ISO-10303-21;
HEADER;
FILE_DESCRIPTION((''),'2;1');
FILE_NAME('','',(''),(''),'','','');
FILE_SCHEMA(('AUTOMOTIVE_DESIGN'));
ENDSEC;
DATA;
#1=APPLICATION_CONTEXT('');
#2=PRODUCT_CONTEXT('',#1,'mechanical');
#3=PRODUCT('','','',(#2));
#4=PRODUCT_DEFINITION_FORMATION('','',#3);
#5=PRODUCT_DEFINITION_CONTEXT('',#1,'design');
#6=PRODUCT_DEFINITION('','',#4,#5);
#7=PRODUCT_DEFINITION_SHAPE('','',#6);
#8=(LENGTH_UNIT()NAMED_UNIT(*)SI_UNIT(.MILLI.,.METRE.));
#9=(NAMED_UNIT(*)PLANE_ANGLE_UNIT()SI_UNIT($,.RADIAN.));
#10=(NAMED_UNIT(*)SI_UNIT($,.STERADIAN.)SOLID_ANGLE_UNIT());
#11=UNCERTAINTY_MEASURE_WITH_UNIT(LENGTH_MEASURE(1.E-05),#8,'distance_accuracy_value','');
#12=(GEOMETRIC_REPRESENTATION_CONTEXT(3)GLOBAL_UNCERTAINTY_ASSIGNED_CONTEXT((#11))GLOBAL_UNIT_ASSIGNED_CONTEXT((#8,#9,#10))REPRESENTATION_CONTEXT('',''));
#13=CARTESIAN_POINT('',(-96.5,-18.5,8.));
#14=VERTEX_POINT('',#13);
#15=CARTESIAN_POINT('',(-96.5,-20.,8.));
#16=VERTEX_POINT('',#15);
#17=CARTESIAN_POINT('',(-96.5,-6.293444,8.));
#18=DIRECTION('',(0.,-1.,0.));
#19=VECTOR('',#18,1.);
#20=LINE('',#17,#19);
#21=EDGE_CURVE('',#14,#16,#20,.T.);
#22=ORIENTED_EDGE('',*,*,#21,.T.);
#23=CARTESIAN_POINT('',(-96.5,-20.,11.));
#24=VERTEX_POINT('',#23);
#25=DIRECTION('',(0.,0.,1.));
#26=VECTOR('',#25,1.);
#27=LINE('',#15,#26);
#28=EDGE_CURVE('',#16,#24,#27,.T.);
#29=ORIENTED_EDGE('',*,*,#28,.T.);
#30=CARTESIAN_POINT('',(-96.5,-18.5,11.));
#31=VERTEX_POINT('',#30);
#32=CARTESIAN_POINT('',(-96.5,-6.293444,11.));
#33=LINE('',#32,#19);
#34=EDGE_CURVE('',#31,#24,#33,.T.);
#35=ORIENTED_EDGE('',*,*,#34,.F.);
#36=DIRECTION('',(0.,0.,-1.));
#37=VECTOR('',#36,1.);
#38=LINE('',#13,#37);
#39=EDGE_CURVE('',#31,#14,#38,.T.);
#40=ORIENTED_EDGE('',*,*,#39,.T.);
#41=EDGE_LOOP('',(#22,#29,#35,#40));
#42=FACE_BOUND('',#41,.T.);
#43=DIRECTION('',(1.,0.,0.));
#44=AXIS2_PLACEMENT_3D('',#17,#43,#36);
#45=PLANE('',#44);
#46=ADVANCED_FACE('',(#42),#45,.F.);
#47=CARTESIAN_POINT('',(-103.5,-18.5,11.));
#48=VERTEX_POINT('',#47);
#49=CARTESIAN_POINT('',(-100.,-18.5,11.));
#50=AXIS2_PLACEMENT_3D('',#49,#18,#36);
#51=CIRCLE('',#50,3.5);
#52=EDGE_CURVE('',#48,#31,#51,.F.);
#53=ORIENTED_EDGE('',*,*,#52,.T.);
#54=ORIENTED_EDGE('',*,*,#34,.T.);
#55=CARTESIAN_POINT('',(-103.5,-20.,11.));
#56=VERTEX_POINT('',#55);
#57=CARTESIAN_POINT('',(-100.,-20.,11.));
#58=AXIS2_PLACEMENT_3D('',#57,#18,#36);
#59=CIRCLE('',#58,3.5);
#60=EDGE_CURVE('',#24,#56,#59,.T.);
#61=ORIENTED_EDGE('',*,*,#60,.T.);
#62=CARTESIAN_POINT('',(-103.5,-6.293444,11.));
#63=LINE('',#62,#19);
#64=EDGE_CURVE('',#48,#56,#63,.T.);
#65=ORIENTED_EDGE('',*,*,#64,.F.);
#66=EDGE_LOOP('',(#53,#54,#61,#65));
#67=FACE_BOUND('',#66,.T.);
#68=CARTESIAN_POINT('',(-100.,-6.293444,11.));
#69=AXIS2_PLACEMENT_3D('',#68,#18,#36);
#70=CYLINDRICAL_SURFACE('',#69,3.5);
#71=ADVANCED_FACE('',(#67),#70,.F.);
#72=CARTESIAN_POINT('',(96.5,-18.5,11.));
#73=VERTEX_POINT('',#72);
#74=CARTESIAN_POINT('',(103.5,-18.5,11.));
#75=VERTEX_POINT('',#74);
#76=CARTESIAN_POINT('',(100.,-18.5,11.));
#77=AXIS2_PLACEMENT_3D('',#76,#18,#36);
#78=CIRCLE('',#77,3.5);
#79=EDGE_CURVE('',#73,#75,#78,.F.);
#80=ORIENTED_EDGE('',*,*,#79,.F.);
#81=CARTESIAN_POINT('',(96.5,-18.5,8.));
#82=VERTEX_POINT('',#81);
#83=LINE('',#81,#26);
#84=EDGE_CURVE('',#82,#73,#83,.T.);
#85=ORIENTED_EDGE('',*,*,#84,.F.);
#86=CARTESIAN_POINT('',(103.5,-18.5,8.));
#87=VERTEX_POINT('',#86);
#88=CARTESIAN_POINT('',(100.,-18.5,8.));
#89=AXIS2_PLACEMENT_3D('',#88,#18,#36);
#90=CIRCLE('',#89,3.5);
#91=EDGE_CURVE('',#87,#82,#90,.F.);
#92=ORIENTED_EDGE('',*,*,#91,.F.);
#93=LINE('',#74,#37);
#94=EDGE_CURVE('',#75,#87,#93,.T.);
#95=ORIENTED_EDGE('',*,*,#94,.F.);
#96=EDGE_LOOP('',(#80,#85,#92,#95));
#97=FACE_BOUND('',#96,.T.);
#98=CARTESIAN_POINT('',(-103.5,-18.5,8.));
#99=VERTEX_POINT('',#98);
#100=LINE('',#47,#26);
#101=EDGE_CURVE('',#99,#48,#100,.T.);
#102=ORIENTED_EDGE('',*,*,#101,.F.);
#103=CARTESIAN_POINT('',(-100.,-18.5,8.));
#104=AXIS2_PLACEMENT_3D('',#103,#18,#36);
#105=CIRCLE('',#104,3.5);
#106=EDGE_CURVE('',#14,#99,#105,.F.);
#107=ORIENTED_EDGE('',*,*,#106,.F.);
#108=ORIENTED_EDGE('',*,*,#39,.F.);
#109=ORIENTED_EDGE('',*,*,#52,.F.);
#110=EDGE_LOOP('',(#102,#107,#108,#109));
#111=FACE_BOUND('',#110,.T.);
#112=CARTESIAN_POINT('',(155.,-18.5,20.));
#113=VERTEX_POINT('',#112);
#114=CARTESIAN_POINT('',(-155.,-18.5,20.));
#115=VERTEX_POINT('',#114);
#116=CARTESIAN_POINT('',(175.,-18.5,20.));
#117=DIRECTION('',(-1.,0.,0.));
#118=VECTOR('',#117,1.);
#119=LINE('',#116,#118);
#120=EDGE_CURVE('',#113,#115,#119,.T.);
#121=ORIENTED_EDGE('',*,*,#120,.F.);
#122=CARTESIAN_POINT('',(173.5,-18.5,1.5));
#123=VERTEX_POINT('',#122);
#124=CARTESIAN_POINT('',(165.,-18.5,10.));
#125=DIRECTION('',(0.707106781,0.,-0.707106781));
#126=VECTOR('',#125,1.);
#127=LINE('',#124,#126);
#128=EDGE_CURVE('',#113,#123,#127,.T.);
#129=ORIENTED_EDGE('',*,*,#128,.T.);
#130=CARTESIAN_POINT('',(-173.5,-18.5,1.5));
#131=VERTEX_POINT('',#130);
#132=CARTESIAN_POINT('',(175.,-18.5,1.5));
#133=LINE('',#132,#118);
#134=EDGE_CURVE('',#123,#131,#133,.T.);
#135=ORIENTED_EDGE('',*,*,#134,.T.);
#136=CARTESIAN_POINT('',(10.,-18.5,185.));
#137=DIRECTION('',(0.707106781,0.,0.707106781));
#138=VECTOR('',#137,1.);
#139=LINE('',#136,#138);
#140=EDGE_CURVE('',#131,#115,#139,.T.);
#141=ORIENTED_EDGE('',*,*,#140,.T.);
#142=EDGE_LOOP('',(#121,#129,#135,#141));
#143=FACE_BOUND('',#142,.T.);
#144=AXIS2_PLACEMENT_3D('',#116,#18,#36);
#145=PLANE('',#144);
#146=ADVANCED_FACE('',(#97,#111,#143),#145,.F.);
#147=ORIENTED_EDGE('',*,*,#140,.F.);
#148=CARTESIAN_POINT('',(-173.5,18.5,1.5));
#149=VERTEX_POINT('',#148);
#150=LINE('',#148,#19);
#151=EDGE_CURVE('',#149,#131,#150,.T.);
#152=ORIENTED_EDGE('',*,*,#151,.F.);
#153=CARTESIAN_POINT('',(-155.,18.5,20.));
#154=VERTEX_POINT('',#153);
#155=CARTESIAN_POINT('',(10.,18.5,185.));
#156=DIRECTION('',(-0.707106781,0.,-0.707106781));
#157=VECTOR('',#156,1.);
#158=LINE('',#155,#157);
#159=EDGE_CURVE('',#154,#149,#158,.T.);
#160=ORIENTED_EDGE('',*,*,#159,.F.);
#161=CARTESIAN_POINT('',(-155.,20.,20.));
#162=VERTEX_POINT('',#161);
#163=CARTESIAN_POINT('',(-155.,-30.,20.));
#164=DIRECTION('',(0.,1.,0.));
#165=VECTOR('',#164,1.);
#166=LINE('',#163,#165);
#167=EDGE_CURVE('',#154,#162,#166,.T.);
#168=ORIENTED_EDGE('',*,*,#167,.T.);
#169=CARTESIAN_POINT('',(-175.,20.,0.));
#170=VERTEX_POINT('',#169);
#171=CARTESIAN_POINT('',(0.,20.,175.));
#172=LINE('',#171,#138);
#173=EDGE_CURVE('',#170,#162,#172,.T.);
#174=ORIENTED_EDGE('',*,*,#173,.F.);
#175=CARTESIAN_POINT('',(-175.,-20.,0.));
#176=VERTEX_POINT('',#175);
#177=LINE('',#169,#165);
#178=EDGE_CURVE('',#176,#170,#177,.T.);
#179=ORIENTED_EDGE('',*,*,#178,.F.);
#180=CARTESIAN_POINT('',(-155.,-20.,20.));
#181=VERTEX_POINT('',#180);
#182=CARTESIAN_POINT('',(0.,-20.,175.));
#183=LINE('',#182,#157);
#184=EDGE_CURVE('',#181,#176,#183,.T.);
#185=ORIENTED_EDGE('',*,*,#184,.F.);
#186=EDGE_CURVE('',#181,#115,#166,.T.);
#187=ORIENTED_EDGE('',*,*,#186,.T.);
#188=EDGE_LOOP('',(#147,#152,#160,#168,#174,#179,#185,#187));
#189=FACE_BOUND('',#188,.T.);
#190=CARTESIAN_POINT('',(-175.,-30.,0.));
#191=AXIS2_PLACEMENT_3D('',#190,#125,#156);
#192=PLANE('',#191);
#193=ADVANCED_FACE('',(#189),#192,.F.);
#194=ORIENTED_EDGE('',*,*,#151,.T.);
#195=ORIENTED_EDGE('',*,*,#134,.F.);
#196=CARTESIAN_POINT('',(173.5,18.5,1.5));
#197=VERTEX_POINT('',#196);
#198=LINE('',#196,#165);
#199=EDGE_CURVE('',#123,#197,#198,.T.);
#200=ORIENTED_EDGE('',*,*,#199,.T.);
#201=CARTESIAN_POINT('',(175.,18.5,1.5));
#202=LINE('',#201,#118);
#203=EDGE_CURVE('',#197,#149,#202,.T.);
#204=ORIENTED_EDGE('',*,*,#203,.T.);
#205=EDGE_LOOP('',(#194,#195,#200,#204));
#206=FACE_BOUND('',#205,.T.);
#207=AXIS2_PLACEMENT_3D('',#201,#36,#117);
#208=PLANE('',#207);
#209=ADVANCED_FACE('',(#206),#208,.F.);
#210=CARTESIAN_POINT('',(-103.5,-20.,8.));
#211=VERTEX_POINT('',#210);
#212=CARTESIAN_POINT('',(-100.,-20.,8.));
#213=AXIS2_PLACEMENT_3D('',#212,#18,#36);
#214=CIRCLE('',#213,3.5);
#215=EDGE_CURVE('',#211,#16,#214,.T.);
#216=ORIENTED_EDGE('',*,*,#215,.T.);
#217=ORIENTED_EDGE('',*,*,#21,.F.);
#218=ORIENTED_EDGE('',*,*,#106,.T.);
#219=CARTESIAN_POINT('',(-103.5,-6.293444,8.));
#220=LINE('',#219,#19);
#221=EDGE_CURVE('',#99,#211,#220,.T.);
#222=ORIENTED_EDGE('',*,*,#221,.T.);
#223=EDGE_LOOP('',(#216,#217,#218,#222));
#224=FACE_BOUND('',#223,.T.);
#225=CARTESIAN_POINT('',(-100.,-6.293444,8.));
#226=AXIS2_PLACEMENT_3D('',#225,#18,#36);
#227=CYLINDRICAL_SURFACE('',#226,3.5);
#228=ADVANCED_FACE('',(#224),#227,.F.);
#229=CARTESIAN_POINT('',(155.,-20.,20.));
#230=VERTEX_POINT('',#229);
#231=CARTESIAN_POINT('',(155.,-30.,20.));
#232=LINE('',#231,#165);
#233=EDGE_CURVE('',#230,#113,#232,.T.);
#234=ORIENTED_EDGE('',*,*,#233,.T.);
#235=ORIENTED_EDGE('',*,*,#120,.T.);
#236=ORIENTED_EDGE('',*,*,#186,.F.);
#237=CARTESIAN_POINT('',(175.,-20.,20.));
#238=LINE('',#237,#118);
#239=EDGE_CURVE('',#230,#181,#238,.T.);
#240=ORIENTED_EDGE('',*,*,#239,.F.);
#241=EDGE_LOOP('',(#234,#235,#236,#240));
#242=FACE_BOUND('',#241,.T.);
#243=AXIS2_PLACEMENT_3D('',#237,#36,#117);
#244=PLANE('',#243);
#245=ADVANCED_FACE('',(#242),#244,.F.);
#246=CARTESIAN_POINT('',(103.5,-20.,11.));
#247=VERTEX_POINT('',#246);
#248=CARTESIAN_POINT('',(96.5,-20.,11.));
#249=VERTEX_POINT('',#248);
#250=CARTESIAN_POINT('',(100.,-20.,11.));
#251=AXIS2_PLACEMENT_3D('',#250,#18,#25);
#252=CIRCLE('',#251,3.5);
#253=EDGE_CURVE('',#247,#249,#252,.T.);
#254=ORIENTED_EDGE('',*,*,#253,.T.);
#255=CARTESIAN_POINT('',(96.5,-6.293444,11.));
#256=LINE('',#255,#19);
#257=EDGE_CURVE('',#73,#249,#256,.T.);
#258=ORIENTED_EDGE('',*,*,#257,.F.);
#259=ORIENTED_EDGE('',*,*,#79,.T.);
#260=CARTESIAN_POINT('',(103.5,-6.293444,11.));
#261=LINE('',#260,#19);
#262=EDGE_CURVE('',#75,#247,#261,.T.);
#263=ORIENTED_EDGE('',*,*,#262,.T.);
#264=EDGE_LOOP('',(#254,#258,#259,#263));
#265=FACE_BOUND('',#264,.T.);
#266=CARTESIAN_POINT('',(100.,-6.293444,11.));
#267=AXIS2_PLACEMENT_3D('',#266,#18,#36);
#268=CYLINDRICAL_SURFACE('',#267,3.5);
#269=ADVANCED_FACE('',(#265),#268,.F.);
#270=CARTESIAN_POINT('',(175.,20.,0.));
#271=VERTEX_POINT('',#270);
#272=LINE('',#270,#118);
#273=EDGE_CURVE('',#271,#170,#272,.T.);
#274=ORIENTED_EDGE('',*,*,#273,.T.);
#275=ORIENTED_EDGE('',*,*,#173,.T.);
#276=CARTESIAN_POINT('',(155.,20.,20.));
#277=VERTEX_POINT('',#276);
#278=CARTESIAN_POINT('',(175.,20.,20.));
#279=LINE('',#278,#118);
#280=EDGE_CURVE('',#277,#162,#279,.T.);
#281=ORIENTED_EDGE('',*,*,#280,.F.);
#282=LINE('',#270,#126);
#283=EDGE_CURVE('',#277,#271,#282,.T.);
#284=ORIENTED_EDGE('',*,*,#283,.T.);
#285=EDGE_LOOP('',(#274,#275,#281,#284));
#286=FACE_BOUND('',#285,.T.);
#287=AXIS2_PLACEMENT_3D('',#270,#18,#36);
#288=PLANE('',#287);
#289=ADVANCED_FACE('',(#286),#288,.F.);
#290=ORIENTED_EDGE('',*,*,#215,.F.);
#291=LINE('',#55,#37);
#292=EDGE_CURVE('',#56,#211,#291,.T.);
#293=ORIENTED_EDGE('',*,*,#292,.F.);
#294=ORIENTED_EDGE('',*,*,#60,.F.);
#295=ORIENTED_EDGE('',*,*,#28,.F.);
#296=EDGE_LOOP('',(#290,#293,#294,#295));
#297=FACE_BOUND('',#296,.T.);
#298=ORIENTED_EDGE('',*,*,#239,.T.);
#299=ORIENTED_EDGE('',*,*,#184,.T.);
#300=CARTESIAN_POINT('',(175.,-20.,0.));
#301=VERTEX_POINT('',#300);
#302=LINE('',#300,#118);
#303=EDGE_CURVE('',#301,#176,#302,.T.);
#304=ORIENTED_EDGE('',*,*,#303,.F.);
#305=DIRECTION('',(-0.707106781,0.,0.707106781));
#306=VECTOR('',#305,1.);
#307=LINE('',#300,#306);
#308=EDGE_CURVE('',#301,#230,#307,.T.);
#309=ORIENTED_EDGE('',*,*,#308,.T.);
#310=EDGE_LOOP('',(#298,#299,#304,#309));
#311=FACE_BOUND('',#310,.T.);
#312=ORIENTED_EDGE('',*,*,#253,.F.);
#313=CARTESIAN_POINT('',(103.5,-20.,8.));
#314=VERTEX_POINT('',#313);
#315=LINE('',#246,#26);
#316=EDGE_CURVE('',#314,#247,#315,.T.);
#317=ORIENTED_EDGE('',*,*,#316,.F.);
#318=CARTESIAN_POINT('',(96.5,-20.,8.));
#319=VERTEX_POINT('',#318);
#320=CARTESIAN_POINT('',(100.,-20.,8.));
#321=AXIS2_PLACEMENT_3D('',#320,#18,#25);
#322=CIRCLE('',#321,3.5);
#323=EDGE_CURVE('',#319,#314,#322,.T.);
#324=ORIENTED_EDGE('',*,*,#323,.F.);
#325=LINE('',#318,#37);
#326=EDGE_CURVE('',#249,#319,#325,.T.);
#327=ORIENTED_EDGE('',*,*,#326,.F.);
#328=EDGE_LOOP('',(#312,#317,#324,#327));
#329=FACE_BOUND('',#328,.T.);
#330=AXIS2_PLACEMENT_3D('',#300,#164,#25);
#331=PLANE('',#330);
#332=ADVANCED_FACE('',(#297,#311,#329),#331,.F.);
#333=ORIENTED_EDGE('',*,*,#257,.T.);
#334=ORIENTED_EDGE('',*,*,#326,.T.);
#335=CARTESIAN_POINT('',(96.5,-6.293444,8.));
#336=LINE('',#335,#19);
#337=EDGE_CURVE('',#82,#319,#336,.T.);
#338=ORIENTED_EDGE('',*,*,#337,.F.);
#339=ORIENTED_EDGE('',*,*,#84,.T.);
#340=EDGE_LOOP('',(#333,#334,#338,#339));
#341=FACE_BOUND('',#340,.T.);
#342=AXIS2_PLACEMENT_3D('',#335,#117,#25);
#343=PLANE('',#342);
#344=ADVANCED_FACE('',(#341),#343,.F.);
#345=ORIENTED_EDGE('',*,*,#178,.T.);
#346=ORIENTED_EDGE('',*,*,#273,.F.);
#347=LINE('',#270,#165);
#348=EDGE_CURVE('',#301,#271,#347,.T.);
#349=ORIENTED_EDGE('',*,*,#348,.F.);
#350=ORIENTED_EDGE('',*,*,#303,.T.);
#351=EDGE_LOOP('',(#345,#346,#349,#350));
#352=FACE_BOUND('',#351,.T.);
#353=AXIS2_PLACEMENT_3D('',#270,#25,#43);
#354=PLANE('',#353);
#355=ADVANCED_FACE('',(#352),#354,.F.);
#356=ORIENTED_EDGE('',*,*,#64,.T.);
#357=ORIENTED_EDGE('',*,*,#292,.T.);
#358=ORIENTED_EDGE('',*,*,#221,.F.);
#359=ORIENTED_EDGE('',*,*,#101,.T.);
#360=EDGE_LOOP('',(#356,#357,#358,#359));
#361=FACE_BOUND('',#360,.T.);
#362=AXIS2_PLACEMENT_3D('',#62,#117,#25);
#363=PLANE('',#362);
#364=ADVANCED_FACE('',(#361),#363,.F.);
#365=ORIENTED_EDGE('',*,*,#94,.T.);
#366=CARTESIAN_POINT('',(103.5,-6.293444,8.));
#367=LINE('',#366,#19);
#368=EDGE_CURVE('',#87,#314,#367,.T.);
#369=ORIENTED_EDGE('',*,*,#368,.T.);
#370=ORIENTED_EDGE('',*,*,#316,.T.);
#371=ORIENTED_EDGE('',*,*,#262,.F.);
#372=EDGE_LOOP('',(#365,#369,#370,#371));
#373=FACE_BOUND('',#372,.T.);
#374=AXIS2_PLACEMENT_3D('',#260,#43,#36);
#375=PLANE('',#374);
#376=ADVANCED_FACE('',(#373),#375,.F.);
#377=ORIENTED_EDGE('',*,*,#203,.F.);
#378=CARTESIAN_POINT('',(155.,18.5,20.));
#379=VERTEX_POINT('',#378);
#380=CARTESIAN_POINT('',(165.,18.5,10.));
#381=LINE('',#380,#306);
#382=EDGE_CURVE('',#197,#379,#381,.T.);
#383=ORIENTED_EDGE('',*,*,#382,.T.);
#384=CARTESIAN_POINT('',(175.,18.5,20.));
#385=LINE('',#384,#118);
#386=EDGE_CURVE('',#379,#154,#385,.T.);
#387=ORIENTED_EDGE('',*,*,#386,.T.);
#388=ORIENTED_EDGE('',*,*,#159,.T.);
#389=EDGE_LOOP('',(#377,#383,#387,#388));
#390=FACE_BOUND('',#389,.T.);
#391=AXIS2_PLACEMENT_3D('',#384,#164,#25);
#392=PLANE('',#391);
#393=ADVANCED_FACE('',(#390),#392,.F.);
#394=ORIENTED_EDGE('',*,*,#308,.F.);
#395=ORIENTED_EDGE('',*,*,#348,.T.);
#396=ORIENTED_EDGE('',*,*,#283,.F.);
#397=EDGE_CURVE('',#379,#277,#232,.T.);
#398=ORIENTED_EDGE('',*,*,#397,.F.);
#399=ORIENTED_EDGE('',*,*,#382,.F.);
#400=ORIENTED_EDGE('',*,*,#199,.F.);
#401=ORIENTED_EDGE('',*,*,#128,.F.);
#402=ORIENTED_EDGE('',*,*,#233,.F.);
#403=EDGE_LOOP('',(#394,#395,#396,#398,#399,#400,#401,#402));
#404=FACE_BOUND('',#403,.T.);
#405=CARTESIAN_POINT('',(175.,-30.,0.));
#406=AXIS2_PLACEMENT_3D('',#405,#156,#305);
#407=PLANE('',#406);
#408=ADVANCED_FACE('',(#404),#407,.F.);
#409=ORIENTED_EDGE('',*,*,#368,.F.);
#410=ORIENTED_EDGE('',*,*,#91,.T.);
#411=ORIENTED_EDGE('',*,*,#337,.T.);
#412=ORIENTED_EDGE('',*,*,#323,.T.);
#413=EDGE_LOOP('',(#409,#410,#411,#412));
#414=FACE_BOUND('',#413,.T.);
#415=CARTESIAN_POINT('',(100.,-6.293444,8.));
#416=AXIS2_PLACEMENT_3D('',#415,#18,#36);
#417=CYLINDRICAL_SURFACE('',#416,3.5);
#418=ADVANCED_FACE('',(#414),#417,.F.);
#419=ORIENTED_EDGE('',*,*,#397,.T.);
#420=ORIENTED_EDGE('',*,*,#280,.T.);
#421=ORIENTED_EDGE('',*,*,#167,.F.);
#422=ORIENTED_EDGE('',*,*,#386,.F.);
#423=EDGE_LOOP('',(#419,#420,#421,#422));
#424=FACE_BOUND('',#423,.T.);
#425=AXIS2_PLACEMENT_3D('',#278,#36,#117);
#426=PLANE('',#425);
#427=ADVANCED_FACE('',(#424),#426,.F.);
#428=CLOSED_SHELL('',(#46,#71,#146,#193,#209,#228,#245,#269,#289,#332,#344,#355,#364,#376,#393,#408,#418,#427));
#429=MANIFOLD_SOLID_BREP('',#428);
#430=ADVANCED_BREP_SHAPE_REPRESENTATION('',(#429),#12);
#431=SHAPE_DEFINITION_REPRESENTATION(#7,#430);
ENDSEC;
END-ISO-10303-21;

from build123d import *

# Parameters (mm, degrees)
RESSALTO_EXTRUS_O1_DEPTH = 175
CORTE_EXTRUS_O1_DEPTH    = 50
CORTE_EXTRUS_O2_DEPTH    = 1.5


with BuildPart() as part:
    # Esboço1 → Ressalto-extrusão1 (new, symmetric)
    with BuildSketch(Plane(origin=(0, 0, 0), x_dir=(0, 0, -1), z_dir=(1, 0, 0))):
        Polygon((0, 20), (0, -20), (-20, -20), (-20, -18.5), (-1.5, -18.5), (-1.5, 18.5), (-20, 18.5), (-20, 20), align=None)
    extrude(amount=RESSALTO_EXTRUS_O1_DEPTH, both=True)

    # Esboço2 → Corte-extrusão1 (cut, symmetric)
    with BuildSketch(Plane(origin=(0, 20, 0), x_dir=(1, 0, 0), z_dir=(0, 1, 0))):
        Polygon((-175, 0), (-155, -20), (-175, -20), align=None)
        Polygon((175, 0), (155, -20), (175, -20), align=None)
    extrude(amount=CORTE_EXTRUS_O1_DEPTH, both=True, mode=Mode.SUBTRACT)

    # Esboço3 → Corte-extrusão2 (cut)
    with BuildSketch(Plane.XZ.offset(20)):
        with BuildLine():
            Line((-103.5, 11), (-103.5, 8))
            ThreePointArc((-103.5, 8), (-100, 4.5), (-96.5, 8))
            Line((-96.5, 8), (-96.5, 11))
            ThreePointArc((-96.5, 11), (-100, 14.5), (-103.5, 11))
        make_face()
        with BuildLine():
            Line((96.5, 8), (96.5, 11))
            ThreePointArc((96.5, 11), (100, 14.5), (103.5, 11))
            Line((103.5, 11), (103.5, 8))
            ThreePointArc((103.5, 8), (100, 4.5), (96.5, 8))
        make_face()
    extrude(amount=-CORTE_EXTRUS_O2_DEPTH, mode=Mode.SUBTRACT)


solid = part.part
